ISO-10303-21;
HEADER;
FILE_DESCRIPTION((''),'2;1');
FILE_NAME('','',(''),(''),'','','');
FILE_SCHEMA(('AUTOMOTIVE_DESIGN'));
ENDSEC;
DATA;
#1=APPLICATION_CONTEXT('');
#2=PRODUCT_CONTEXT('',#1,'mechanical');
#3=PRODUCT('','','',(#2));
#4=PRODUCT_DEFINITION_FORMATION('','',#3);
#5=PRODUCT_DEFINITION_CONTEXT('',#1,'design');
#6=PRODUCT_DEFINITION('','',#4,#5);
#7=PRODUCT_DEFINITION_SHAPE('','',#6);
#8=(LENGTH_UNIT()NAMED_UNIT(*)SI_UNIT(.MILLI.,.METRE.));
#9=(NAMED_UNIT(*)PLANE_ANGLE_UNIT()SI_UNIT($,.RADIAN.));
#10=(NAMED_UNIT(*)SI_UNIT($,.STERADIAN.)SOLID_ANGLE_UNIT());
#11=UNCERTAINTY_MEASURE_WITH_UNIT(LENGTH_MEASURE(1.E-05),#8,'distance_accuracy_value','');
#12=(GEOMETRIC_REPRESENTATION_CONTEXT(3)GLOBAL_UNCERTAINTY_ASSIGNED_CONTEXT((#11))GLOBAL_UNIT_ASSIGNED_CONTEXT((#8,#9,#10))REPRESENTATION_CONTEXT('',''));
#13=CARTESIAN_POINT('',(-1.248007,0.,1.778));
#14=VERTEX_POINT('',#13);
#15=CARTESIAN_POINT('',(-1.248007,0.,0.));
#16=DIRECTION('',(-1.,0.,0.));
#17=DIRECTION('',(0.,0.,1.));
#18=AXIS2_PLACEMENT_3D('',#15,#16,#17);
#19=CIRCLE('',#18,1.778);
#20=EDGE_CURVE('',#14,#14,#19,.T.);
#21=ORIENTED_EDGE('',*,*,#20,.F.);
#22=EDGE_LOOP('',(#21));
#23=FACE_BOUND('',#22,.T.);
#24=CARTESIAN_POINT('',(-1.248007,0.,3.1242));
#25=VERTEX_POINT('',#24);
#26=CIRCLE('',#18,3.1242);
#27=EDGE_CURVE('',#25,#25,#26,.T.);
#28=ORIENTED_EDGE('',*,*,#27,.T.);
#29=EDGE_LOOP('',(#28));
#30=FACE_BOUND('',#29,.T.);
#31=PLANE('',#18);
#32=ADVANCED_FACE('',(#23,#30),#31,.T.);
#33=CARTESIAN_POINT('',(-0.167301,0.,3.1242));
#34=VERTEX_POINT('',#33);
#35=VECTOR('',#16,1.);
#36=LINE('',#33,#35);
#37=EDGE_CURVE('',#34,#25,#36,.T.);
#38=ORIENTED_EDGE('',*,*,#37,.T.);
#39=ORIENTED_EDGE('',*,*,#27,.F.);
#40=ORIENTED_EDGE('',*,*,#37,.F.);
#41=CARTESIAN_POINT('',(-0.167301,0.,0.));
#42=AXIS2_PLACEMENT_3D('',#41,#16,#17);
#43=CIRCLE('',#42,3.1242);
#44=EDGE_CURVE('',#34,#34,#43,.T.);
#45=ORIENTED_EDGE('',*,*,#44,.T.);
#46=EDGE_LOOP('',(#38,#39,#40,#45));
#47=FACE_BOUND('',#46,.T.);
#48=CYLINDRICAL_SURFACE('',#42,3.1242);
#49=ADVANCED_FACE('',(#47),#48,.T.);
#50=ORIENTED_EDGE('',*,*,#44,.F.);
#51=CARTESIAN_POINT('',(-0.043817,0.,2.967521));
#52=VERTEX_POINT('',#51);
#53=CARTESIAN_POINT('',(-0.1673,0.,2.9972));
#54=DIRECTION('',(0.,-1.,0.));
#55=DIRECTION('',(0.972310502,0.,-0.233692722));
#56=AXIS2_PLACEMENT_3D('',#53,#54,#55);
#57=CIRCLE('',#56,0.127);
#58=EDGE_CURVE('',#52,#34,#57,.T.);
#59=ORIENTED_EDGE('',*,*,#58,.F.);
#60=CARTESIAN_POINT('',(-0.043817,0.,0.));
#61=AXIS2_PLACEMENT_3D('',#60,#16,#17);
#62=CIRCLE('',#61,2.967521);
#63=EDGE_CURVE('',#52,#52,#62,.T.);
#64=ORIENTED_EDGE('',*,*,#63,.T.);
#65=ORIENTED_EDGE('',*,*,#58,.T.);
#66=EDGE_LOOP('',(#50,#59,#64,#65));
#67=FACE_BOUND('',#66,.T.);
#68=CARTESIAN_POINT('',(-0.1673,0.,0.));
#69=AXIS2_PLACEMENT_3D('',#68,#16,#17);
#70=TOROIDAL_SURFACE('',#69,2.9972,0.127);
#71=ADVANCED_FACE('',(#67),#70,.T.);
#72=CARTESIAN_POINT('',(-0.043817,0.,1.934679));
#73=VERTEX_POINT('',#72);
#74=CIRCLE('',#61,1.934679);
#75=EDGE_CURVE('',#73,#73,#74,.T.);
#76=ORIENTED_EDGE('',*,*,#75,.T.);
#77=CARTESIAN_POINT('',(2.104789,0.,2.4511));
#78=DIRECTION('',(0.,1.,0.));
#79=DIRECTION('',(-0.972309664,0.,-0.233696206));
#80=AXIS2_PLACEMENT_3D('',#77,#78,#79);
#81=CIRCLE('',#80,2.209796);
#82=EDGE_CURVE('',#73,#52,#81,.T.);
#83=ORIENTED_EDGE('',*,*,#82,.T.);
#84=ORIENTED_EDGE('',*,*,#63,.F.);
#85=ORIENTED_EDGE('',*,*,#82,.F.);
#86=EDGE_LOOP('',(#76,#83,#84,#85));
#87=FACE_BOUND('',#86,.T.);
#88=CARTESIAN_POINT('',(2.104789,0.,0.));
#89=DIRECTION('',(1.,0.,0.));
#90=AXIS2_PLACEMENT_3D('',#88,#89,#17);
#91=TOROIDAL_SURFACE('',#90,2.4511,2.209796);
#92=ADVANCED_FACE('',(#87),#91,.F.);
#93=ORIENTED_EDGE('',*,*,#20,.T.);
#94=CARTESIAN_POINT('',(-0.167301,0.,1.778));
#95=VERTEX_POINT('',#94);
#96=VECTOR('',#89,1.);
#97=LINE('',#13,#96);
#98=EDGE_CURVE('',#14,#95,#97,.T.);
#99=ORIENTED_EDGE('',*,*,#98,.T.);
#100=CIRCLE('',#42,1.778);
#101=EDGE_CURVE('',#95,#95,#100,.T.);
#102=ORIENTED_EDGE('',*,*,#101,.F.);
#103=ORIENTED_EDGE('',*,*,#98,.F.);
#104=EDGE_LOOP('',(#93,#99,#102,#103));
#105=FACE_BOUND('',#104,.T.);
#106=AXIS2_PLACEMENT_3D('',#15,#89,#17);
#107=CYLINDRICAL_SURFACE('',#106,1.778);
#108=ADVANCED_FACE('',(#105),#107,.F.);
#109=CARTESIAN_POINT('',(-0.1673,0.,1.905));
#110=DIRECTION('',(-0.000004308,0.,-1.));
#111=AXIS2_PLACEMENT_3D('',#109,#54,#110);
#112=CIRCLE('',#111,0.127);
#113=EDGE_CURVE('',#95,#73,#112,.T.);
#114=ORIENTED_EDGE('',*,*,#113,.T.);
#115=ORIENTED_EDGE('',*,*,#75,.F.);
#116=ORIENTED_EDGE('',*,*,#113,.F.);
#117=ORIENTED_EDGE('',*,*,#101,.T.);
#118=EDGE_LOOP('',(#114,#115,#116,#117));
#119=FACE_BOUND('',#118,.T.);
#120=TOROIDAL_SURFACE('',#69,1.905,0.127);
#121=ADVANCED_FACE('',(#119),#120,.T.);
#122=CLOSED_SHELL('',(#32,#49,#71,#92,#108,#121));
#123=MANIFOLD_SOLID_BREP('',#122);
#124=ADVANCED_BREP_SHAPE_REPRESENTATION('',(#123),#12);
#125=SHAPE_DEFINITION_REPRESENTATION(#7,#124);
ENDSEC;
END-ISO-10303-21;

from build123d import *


with BuildPart() as f1:
    # F0 (on Front) → F1 (revolve)
    with BuildSketch(Plane.XZ):
        with BuildLine():
            ThreePointArc((-0.043817, 2.967521), (-0.067555, 3.075812), (-0.167301, 3.1242))
            Line((-0.167301, 3.1242), (-1.248007, 3.1242))
            Line((-1.248007, 3.1242), (-1.248007, 1.778))
            Line((-1.248007, 1.778), (-0.167301, 1.778))
            ThreePointArc((-0.167301, 1.778), (-0.067555, 1.826388), (-0.043817, 1.934679))
            ThreePointArc((-0.043817, 1.934679), (-0.105007, 2.4511), (-0.043817, 2.967521))
        make_face()
    revolve(axis=Axis((-3.079263, 0, 0), (-1, 0, 0)))


solid = f1.part
